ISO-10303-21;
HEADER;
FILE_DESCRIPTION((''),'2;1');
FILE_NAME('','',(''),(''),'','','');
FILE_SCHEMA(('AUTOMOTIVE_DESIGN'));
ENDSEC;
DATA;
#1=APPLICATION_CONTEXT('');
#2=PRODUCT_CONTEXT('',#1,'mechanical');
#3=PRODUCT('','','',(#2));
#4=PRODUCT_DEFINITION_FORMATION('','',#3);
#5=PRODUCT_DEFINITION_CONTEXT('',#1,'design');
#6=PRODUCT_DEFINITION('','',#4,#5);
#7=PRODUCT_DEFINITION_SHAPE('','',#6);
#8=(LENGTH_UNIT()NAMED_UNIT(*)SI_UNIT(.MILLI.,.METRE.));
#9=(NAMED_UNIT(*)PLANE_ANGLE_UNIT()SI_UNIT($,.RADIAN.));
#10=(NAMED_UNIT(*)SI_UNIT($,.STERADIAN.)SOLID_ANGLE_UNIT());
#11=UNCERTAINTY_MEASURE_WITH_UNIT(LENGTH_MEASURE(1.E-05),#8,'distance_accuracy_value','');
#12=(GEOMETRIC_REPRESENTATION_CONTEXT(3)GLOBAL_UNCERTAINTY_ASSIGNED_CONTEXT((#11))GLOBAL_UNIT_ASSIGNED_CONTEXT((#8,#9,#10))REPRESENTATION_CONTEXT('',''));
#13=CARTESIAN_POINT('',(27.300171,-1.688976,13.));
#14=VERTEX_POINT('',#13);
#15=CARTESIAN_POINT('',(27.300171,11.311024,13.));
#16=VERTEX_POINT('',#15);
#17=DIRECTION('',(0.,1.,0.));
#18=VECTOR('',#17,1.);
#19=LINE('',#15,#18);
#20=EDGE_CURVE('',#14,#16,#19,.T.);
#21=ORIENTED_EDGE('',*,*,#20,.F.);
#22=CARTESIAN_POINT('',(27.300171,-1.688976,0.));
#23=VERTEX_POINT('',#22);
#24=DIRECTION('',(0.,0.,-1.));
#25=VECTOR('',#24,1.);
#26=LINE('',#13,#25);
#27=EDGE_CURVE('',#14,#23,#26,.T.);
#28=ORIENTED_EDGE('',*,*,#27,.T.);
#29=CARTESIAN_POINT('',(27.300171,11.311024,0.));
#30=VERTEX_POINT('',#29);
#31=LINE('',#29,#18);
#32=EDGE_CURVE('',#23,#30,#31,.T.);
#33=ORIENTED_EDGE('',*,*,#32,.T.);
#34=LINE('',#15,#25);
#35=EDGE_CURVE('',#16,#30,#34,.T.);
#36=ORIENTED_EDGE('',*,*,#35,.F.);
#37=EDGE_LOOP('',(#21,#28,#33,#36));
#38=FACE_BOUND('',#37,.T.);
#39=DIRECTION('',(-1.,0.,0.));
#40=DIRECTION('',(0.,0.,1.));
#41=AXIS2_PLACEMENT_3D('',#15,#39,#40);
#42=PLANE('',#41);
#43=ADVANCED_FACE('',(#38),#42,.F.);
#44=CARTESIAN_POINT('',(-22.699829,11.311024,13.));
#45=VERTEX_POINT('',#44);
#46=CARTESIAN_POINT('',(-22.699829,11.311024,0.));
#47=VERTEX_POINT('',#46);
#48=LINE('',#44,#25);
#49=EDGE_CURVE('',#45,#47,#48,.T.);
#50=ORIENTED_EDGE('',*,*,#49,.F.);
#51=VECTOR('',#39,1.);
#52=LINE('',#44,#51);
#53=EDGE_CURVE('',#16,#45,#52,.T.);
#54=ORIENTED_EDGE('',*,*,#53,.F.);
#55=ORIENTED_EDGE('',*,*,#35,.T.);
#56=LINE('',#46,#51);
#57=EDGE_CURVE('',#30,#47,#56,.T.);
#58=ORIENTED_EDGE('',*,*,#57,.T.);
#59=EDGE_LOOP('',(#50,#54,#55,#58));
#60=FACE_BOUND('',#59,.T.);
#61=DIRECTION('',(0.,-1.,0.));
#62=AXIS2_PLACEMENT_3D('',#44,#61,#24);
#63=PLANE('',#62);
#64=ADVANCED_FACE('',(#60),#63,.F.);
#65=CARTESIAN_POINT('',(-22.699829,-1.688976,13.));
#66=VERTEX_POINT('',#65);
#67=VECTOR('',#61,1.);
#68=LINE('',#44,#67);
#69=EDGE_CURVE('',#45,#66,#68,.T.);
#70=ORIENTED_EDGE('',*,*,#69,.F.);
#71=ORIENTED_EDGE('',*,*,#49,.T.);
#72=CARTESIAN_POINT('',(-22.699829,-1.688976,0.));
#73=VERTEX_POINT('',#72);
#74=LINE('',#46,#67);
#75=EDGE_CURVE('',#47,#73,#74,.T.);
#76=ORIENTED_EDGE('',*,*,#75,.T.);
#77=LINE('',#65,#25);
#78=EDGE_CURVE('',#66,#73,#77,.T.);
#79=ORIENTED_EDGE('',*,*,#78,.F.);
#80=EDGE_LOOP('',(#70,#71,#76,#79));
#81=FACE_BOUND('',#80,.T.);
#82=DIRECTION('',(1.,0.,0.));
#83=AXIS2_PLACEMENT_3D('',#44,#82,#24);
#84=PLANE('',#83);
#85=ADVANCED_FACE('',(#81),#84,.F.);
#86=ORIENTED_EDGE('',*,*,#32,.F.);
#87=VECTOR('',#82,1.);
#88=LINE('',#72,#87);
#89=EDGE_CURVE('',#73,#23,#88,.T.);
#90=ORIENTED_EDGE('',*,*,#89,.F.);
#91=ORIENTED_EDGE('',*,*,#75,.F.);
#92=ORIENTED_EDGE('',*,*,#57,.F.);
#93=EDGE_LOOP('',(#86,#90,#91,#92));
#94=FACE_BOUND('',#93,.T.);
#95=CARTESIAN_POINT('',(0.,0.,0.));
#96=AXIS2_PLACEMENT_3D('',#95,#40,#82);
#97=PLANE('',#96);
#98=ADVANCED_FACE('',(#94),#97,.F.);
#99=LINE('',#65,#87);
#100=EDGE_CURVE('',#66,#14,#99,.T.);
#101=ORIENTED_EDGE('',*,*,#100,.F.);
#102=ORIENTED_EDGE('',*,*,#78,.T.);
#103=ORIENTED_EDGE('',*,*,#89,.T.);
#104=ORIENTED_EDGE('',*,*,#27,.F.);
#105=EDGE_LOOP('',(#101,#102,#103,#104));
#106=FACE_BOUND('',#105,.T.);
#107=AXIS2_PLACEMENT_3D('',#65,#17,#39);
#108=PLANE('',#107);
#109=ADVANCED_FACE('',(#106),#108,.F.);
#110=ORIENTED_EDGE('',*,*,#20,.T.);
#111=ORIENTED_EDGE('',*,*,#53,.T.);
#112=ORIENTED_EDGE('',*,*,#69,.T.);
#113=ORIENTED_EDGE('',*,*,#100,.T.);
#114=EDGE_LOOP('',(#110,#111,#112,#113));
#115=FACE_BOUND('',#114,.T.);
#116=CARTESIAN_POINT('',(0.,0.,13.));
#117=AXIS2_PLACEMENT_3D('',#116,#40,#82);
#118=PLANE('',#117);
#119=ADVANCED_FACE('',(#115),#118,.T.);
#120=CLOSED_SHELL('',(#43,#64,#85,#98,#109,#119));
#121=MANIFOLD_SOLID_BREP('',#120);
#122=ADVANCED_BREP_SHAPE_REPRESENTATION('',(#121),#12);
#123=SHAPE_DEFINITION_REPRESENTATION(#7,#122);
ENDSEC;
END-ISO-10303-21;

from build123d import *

# Parameters (mm, degrees)
ESQUISSE1_W        = 50
ESQUISSE1_H        = 13
BOSS_EXTRU_1_DEPTH = 13


with BuildPart() as part:
    # Esquisse1 → Boss.-Extru.1 (new body)
    with BuildSketch(Plane.XY):
        with Locations((2.300170949, 4.811023622)):
            Rectangle(ESQUISSE1_W, ESQUISSE1_H)
    extrude(amount=BOSS_EXTRU_1_DEPTH)


solid = part.part
